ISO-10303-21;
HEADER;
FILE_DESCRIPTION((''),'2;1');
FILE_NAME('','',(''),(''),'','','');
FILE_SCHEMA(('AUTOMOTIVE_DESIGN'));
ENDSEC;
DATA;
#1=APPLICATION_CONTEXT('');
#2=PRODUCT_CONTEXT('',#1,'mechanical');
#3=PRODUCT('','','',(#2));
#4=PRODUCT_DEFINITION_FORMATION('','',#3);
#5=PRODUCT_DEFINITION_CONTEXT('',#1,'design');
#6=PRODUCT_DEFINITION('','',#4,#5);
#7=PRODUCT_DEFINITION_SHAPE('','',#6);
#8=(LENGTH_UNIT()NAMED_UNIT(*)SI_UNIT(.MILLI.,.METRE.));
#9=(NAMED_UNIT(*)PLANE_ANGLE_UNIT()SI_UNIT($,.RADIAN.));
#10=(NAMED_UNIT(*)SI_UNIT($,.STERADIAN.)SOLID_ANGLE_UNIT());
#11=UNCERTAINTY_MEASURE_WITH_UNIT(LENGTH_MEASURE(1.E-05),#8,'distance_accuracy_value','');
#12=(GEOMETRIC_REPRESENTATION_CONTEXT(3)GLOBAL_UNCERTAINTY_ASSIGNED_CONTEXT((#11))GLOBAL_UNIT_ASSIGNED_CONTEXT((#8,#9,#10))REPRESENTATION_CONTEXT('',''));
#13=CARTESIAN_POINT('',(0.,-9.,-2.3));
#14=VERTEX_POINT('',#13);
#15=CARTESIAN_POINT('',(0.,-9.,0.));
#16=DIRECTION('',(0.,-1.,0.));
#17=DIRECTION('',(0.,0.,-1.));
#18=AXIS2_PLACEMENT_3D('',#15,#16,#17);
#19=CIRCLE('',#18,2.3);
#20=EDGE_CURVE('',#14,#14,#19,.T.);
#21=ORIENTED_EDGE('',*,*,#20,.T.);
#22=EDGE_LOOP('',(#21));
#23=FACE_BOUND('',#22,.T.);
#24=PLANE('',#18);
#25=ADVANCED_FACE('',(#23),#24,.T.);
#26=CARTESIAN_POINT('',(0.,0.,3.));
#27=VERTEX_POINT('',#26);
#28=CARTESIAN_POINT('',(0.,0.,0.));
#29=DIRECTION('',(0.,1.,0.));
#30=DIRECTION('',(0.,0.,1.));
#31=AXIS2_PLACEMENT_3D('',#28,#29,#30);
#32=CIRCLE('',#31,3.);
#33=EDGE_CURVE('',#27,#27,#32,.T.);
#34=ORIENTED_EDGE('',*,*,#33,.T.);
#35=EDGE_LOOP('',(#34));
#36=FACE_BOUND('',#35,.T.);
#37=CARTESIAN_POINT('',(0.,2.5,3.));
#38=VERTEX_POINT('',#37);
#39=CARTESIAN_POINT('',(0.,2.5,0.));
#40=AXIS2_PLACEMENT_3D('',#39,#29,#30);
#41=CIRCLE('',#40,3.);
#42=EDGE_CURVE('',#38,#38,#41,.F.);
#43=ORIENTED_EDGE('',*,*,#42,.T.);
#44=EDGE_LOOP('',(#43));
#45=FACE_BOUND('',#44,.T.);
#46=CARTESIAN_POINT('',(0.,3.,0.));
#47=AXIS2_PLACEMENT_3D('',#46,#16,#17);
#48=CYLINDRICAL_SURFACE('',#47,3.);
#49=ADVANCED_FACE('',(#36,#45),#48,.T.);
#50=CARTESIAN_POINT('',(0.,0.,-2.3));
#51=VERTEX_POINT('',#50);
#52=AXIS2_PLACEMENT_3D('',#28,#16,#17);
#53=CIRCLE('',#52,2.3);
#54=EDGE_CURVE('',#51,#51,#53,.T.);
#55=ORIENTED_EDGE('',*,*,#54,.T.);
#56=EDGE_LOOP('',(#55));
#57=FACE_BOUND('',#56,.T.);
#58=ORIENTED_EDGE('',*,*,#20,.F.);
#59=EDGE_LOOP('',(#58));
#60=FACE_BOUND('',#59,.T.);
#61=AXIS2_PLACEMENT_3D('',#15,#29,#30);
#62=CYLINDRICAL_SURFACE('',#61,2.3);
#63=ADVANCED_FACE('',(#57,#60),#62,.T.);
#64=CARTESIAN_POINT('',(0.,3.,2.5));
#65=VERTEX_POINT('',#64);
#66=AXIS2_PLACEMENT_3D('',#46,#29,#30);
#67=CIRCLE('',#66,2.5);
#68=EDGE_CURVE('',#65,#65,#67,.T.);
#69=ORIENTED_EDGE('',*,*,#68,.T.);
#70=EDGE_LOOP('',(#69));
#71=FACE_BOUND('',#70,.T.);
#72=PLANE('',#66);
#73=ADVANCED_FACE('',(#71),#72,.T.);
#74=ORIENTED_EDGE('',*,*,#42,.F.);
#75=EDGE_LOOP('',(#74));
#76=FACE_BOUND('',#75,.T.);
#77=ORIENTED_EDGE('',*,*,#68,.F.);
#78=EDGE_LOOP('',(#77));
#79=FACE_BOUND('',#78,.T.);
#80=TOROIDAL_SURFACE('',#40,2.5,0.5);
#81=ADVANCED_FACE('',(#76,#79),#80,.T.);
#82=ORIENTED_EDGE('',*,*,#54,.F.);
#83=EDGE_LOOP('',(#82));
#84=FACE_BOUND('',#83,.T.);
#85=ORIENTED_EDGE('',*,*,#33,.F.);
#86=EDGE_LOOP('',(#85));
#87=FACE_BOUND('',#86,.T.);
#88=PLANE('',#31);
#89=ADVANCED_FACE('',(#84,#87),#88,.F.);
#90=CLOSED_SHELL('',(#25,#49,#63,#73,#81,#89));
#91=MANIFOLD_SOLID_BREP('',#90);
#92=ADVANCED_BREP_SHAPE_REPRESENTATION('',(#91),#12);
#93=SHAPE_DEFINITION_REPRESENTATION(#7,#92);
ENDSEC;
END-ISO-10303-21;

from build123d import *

# Parameters (mm, degrees)
SKETCH1_R           = 3
BOSS_EXTRUDE1_DEPTH = 3
FILLET1_R           = 0.5
SKETCH2_R           = 2.3
BOSS_EXTRUDE2_DEPTH = 9


with BuildPart() as part:
    # Sketch1 → Boss-Extrude1 (new body)
    with BuildSketch(Plane(origin=(0, 0, 0), x_dir=(1, 0, 0), z_dir=(0, 1, 0))):
        Circle(SKETCH1_R)
    extrude(amount=BOSS_EXTRUDE1_DEPTH)

    # Fillet1
    fillet1_edges = [part.edges().sort_by_distance(p)[0] for p in [
        (-3, 3, 0),
    ]]
    fillet(fillet1_edges, radius=FILLET1_R)

    # Sketch2 → Boss-Extrude2 (add)
    with BuildSketch(Plane.XZ):
        Circle(SKETCH2_R)
    extrude(amount=BOSS_EXTRUDE2_DEPTH)


solid = part.part
